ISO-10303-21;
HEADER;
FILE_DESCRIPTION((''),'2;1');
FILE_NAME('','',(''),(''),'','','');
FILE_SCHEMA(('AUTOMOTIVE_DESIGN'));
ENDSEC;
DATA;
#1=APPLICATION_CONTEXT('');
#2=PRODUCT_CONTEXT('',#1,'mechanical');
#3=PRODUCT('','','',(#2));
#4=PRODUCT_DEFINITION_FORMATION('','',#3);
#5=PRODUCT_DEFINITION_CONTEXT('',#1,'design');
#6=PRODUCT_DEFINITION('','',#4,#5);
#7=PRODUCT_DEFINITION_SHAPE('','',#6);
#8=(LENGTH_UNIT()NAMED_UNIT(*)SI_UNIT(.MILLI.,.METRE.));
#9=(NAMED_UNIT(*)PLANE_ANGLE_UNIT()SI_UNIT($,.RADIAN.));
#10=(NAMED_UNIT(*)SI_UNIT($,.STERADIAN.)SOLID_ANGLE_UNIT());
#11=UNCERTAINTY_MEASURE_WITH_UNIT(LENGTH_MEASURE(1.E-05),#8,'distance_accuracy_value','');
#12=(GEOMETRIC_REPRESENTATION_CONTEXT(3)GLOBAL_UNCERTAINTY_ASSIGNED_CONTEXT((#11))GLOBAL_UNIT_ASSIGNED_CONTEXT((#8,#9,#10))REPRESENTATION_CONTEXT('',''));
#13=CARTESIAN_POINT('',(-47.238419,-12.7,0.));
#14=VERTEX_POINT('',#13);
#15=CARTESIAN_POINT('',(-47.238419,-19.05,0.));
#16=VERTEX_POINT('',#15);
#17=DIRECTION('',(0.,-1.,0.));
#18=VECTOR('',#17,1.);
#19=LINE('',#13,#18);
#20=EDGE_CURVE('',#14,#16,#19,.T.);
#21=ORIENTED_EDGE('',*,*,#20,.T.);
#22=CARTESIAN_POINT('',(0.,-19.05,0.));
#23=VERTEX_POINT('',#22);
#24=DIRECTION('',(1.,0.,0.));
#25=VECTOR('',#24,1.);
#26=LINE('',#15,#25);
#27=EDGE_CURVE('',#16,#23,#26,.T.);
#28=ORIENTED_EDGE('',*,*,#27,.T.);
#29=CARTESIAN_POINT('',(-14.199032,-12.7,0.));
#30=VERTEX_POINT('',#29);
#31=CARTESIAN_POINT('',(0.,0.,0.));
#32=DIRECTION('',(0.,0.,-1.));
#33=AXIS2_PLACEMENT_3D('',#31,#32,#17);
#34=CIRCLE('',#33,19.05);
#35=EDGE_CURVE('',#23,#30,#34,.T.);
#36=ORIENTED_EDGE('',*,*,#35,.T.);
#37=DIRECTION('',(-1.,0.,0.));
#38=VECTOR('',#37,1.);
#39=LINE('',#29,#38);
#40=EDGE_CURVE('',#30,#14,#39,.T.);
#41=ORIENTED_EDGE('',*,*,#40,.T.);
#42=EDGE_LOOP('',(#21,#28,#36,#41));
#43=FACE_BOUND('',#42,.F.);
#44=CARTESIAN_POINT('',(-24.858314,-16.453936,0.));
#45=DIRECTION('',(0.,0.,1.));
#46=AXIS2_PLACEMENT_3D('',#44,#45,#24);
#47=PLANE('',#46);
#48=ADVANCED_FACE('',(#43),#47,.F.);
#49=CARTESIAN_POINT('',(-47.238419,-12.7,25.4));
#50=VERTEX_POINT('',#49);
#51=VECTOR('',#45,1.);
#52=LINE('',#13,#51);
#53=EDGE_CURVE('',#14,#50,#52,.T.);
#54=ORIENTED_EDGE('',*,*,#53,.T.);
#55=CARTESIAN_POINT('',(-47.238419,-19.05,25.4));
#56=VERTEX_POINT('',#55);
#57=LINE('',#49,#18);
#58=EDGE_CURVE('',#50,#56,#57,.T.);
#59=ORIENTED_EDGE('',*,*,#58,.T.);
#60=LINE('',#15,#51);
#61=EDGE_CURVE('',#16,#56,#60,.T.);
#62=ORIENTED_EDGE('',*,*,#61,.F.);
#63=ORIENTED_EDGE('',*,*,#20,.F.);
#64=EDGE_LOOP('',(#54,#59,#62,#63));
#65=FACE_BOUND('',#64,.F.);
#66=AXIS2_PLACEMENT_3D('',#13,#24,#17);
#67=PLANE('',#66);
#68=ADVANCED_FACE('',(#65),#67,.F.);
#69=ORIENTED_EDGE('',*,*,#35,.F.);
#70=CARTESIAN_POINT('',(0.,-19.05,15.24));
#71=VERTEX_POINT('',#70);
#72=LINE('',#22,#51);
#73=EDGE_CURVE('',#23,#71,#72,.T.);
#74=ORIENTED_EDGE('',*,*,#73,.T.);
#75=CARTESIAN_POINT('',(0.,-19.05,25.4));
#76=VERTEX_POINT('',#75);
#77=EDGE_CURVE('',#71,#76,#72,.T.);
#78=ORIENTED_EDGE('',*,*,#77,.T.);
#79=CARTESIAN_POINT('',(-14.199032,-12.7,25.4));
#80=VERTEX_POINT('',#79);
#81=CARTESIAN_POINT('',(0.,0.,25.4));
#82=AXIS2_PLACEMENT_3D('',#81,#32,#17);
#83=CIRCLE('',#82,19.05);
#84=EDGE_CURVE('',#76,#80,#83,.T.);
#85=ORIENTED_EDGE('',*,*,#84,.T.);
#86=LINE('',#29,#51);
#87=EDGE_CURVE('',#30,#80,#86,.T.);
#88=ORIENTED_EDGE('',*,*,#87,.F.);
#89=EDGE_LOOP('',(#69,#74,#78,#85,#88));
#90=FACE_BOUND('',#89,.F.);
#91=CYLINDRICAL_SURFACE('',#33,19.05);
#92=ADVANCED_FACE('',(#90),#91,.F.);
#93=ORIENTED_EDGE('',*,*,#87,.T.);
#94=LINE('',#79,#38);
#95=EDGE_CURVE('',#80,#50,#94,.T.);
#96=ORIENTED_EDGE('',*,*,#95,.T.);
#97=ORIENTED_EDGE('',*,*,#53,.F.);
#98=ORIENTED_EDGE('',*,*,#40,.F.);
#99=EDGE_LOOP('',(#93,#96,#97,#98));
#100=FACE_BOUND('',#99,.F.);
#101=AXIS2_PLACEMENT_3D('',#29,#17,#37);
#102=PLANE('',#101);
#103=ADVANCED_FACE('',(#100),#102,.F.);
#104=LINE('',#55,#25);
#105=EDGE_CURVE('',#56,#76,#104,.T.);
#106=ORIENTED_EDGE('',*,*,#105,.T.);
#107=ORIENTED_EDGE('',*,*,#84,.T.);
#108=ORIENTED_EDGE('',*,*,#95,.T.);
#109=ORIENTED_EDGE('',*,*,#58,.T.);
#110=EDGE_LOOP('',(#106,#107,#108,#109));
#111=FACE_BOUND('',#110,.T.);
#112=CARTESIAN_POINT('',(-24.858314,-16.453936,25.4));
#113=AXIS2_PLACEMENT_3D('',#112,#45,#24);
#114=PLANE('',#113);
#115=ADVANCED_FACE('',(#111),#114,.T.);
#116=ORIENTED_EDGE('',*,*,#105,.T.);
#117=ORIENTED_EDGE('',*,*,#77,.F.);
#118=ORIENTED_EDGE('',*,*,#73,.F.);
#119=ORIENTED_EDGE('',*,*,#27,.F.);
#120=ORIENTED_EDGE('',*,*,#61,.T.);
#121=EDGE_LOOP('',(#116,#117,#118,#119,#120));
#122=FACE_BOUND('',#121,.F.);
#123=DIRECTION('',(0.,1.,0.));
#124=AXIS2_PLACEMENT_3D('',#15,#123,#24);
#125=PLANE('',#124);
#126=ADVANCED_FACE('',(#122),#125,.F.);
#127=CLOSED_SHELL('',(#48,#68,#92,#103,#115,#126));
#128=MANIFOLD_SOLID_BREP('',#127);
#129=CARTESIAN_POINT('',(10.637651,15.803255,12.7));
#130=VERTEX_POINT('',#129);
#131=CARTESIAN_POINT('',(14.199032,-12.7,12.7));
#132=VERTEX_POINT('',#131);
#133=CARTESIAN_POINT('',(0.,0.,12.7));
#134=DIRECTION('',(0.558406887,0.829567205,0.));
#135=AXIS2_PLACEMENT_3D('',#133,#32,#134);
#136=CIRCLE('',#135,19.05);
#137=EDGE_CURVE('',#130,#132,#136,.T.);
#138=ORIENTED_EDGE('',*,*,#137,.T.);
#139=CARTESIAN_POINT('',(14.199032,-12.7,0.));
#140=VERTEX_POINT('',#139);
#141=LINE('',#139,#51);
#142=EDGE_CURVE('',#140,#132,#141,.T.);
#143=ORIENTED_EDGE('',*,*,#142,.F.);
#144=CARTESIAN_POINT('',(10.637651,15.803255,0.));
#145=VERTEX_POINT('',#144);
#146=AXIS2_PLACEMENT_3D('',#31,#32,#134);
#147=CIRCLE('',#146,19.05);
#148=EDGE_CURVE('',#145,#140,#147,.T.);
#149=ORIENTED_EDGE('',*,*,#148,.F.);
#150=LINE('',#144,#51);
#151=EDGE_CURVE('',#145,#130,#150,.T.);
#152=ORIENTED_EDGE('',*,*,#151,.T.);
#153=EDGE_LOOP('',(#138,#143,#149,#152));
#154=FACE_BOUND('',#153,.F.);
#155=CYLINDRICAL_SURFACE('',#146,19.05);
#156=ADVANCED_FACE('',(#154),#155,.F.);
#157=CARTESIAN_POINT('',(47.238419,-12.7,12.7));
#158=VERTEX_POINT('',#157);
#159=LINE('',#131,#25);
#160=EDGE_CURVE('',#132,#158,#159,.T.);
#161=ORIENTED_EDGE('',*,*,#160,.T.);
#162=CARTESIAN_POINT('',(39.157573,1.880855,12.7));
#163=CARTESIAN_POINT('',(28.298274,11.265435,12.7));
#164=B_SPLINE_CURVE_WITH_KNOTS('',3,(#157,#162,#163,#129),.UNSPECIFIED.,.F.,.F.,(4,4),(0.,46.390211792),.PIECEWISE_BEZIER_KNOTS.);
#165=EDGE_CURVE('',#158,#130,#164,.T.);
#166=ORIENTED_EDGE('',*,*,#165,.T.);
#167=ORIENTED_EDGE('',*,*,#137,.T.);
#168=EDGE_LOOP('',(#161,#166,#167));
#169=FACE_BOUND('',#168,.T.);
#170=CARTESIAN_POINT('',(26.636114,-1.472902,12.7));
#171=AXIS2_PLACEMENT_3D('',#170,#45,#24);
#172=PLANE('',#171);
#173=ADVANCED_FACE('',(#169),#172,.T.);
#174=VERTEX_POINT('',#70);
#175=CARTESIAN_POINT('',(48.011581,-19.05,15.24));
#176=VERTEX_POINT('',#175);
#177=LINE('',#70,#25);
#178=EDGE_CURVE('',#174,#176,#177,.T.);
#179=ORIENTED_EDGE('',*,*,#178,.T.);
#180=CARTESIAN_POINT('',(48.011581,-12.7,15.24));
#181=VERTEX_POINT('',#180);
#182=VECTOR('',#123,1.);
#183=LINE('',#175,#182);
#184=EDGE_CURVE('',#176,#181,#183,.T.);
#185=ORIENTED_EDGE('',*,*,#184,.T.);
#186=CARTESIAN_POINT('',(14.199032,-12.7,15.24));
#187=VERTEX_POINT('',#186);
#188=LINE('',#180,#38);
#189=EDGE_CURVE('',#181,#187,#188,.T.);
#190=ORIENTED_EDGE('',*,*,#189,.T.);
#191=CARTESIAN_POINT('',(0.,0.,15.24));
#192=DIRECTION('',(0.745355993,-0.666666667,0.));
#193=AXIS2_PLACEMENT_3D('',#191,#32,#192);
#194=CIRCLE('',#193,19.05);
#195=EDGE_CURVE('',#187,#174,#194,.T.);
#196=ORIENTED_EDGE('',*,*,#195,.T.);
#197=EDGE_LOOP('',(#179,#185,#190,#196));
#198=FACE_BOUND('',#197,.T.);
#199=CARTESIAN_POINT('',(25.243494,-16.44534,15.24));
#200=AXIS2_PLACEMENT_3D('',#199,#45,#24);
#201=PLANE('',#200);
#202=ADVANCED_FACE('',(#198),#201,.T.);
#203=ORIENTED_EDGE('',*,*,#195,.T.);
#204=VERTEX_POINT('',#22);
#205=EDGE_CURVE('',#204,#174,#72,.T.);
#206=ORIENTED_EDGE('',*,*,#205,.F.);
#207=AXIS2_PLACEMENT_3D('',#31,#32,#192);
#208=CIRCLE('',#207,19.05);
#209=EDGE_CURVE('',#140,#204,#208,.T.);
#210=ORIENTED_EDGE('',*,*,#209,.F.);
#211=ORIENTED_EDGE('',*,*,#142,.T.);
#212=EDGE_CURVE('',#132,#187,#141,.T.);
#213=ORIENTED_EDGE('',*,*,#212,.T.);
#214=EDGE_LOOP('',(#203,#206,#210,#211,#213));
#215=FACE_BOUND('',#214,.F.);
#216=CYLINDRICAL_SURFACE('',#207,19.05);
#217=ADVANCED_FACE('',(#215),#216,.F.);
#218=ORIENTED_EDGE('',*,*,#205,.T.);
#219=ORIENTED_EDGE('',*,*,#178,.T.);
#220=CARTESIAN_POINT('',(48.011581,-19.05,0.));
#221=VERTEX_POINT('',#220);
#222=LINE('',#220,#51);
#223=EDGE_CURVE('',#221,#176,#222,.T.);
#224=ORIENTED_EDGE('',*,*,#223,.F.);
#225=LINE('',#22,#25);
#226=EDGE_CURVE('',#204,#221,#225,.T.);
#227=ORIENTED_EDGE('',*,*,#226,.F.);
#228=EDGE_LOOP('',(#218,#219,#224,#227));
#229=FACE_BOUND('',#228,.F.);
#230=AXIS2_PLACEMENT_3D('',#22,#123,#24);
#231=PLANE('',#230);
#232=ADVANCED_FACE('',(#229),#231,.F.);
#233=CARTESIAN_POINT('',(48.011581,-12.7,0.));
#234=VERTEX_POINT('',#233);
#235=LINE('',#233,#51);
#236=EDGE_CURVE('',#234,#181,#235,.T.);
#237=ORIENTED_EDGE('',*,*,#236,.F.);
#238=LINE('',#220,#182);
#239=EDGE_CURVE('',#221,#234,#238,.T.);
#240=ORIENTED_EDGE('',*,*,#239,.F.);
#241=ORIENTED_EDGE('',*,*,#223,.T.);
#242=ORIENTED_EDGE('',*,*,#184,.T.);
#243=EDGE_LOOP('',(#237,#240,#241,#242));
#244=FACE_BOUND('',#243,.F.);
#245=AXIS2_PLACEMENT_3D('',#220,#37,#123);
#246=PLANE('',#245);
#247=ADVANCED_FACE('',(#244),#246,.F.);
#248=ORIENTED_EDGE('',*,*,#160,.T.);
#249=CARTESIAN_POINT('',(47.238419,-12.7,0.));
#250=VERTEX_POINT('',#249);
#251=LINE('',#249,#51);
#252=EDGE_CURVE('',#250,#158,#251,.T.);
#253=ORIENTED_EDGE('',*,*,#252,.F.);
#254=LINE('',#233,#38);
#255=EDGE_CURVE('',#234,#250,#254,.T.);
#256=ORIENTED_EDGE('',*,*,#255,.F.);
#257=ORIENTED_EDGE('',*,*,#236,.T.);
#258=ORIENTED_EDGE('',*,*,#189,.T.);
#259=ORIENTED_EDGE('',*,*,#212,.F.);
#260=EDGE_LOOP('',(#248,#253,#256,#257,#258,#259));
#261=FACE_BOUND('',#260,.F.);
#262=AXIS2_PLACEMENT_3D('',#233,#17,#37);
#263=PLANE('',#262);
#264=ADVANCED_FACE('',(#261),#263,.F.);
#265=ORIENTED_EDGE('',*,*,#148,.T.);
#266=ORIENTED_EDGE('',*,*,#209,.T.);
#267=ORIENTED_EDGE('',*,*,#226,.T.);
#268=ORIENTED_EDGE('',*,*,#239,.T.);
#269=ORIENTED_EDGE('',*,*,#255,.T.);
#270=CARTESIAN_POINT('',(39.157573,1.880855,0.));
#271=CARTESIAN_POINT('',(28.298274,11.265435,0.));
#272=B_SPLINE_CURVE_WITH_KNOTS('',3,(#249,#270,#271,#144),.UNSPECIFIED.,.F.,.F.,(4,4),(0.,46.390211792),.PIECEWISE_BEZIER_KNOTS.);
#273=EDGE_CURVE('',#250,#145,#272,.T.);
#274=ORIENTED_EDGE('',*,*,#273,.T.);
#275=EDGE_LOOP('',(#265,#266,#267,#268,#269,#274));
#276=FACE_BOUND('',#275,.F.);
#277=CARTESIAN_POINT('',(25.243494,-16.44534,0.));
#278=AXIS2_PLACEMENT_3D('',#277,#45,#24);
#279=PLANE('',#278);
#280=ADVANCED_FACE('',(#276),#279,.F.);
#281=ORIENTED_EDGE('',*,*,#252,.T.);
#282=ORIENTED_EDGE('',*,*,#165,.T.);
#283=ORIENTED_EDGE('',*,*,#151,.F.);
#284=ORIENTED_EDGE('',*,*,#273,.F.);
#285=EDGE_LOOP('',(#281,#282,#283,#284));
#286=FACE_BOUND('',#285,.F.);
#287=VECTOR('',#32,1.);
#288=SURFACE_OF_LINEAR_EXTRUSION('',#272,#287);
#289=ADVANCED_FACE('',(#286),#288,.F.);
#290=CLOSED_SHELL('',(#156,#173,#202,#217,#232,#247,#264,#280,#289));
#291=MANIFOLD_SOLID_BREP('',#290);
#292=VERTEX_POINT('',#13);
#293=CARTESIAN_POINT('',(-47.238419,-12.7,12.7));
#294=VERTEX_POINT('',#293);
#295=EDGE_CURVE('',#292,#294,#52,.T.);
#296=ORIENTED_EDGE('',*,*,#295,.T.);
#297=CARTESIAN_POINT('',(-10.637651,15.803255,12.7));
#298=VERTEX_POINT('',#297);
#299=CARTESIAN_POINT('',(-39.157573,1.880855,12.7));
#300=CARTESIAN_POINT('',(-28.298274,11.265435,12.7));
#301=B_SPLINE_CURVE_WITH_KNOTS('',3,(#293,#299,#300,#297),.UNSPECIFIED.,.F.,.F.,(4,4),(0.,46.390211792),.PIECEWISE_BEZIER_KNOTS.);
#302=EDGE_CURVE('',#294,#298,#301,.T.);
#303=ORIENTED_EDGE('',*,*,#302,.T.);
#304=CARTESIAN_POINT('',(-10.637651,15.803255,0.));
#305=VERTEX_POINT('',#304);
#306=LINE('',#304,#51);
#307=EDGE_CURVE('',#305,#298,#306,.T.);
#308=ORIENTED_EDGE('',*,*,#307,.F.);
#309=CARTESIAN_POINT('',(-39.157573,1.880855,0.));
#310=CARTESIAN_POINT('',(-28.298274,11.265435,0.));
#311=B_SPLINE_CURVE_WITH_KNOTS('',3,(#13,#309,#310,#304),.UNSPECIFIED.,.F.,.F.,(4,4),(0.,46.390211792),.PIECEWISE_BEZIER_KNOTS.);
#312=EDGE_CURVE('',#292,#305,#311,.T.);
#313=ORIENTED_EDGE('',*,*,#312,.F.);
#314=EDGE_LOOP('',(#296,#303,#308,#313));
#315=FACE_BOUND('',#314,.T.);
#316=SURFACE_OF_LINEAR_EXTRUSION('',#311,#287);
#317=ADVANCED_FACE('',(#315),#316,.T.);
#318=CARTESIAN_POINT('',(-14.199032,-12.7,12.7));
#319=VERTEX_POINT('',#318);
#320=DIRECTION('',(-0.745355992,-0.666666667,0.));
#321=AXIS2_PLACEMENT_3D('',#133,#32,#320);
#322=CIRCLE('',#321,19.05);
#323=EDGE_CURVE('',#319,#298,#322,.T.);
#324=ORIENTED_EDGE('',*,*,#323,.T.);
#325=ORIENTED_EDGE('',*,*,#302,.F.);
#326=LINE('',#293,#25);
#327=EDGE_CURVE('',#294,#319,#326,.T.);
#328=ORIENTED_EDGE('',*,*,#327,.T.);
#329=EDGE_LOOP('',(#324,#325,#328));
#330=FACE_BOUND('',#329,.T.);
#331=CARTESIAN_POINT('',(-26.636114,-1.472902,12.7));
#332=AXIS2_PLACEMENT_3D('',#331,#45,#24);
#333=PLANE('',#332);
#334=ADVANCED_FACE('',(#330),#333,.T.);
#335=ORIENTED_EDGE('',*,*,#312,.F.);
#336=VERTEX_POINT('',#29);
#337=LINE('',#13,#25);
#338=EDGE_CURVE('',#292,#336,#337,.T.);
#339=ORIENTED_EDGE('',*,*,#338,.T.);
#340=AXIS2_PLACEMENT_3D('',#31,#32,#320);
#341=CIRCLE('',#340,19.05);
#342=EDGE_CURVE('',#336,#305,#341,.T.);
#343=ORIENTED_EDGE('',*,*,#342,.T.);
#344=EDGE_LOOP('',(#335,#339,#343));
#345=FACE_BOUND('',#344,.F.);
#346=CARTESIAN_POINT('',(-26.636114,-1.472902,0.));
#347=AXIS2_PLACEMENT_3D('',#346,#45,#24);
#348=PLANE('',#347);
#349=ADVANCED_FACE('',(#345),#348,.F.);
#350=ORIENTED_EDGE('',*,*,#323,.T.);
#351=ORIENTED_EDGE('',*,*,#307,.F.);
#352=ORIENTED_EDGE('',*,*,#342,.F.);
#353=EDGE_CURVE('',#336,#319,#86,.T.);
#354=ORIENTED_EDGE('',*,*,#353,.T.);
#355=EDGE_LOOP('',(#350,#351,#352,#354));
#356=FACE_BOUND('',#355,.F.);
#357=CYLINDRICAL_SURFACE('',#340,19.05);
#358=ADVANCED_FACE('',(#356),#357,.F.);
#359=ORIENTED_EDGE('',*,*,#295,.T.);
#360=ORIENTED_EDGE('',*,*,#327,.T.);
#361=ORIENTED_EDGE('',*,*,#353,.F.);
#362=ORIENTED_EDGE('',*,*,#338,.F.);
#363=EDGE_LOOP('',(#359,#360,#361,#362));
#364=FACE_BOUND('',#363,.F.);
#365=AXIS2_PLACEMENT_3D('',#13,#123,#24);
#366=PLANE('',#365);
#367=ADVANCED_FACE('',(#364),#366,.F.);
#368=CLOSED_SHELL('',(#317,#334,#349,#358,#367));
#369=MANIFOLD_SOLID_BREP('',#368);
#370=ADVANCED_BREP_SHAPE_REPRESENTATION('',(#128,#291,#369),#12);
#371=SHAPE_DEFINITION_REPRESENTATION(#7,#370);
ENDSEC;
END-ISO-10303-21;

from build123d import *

# Parameters (mm, degrees)
F1_DEPTH = 12.7
F2_DEPTH = 25.4
F3_DEPTH = 15.24


with BuildPart() as f1:
    # F0 (on Top) → F1 (new body)
    with BuildSketch(Plane.XY):
        with BuildLine():
            ThreePointArc((10.6376512064, 15.8032552599), (18.9030181193, 2.361864937), (14.1990316571, -12.7))
            Line((14.1990316571, -12.7), (47.2384188172, -12.7))
            add(Edge.make_bspline(
                [(47.2384188172, -12.7), (39.1575731337, 1.8808549503), (28.2982736826, 11.2654352561), (10.6376512064, 15.8032552599)],
                knots=[0, 0, 0, 0, 46.3902117921, 46.3902117921, 46.3902117921, 46.3902117921], degree=3))
        make_face()
    extrude(amount=F1_DEPTH)



with BuildPart() as f1b:
    # F0 (on Top) → F1, piece 2 (new body)
    with BuildSketch(Plane.XY):
        with BuildLine():
            ThreePointArc((-14.1990316571, -12.7), (-18.9030181193, 2.361864937), (-10.6376512064, 15.8032552599))
            add(Edge.make_bspline(
                [(-47.2384188172, -12.7), (-39.1575731337, 1.8808549503), (-28.2982736826, 11.2654352561), (-10.6376512064, 15.8032552599)],
                knots=[0, 0, 0, 0, 46.3902117921, 46.3902117921, 46.3902117921, 46.3902117921], degree=3))
            Line((-47.2384188172, -12.7), (-14.1990316571, -12.7))
        make_face()
    extrude(amount=F1_DEPTH)


with BuildPart() as f2:
    # F0 (on Top) → F2 (new body)
    with BuildSketch(Plane.XY):
        with BuildLine():
            ThreePointArc((0, -19.05), (-7.7771299333, -17.3901912008), (-14.1990316571, -12.7))
            Line((-14.1990316571, -12.7), (-47.2384188172, -12.7))
            Line((-47.2384188172, -12.7), (-47.2384188172, -19.05))
            Line((-47.2384188172, -19.05), (0, -19.05))
        make_face()
    extrude(amount=F2_DEPTH)


with BuildPart() as f1_1:
    add(f1.part)

    add(f2.part)  # F3 merges F2
    # F0 (on Top) → F3 (join)
    with BuildSketch(Plane.XY):
        with BuildLine():
            ThreePointArc((14.1990316571, -12.7), (7.7771299333, -17.3901912008), (0, -19.05))
            Line((0, -19.05), (48.0115811828, -19.05))
            Line((48.0115811828, -19.05), (48.0115811828, -12.7))
            Line((48.0115811828, -12.7), (47.2384188172, -12.7))
            Line((47.2384188172, -12.7), (14.1990316571, -12.7))
        make_face()
    extrude(amount=F3_DEPTH)


solid = Compound([f1b.part, f1_1.part])
